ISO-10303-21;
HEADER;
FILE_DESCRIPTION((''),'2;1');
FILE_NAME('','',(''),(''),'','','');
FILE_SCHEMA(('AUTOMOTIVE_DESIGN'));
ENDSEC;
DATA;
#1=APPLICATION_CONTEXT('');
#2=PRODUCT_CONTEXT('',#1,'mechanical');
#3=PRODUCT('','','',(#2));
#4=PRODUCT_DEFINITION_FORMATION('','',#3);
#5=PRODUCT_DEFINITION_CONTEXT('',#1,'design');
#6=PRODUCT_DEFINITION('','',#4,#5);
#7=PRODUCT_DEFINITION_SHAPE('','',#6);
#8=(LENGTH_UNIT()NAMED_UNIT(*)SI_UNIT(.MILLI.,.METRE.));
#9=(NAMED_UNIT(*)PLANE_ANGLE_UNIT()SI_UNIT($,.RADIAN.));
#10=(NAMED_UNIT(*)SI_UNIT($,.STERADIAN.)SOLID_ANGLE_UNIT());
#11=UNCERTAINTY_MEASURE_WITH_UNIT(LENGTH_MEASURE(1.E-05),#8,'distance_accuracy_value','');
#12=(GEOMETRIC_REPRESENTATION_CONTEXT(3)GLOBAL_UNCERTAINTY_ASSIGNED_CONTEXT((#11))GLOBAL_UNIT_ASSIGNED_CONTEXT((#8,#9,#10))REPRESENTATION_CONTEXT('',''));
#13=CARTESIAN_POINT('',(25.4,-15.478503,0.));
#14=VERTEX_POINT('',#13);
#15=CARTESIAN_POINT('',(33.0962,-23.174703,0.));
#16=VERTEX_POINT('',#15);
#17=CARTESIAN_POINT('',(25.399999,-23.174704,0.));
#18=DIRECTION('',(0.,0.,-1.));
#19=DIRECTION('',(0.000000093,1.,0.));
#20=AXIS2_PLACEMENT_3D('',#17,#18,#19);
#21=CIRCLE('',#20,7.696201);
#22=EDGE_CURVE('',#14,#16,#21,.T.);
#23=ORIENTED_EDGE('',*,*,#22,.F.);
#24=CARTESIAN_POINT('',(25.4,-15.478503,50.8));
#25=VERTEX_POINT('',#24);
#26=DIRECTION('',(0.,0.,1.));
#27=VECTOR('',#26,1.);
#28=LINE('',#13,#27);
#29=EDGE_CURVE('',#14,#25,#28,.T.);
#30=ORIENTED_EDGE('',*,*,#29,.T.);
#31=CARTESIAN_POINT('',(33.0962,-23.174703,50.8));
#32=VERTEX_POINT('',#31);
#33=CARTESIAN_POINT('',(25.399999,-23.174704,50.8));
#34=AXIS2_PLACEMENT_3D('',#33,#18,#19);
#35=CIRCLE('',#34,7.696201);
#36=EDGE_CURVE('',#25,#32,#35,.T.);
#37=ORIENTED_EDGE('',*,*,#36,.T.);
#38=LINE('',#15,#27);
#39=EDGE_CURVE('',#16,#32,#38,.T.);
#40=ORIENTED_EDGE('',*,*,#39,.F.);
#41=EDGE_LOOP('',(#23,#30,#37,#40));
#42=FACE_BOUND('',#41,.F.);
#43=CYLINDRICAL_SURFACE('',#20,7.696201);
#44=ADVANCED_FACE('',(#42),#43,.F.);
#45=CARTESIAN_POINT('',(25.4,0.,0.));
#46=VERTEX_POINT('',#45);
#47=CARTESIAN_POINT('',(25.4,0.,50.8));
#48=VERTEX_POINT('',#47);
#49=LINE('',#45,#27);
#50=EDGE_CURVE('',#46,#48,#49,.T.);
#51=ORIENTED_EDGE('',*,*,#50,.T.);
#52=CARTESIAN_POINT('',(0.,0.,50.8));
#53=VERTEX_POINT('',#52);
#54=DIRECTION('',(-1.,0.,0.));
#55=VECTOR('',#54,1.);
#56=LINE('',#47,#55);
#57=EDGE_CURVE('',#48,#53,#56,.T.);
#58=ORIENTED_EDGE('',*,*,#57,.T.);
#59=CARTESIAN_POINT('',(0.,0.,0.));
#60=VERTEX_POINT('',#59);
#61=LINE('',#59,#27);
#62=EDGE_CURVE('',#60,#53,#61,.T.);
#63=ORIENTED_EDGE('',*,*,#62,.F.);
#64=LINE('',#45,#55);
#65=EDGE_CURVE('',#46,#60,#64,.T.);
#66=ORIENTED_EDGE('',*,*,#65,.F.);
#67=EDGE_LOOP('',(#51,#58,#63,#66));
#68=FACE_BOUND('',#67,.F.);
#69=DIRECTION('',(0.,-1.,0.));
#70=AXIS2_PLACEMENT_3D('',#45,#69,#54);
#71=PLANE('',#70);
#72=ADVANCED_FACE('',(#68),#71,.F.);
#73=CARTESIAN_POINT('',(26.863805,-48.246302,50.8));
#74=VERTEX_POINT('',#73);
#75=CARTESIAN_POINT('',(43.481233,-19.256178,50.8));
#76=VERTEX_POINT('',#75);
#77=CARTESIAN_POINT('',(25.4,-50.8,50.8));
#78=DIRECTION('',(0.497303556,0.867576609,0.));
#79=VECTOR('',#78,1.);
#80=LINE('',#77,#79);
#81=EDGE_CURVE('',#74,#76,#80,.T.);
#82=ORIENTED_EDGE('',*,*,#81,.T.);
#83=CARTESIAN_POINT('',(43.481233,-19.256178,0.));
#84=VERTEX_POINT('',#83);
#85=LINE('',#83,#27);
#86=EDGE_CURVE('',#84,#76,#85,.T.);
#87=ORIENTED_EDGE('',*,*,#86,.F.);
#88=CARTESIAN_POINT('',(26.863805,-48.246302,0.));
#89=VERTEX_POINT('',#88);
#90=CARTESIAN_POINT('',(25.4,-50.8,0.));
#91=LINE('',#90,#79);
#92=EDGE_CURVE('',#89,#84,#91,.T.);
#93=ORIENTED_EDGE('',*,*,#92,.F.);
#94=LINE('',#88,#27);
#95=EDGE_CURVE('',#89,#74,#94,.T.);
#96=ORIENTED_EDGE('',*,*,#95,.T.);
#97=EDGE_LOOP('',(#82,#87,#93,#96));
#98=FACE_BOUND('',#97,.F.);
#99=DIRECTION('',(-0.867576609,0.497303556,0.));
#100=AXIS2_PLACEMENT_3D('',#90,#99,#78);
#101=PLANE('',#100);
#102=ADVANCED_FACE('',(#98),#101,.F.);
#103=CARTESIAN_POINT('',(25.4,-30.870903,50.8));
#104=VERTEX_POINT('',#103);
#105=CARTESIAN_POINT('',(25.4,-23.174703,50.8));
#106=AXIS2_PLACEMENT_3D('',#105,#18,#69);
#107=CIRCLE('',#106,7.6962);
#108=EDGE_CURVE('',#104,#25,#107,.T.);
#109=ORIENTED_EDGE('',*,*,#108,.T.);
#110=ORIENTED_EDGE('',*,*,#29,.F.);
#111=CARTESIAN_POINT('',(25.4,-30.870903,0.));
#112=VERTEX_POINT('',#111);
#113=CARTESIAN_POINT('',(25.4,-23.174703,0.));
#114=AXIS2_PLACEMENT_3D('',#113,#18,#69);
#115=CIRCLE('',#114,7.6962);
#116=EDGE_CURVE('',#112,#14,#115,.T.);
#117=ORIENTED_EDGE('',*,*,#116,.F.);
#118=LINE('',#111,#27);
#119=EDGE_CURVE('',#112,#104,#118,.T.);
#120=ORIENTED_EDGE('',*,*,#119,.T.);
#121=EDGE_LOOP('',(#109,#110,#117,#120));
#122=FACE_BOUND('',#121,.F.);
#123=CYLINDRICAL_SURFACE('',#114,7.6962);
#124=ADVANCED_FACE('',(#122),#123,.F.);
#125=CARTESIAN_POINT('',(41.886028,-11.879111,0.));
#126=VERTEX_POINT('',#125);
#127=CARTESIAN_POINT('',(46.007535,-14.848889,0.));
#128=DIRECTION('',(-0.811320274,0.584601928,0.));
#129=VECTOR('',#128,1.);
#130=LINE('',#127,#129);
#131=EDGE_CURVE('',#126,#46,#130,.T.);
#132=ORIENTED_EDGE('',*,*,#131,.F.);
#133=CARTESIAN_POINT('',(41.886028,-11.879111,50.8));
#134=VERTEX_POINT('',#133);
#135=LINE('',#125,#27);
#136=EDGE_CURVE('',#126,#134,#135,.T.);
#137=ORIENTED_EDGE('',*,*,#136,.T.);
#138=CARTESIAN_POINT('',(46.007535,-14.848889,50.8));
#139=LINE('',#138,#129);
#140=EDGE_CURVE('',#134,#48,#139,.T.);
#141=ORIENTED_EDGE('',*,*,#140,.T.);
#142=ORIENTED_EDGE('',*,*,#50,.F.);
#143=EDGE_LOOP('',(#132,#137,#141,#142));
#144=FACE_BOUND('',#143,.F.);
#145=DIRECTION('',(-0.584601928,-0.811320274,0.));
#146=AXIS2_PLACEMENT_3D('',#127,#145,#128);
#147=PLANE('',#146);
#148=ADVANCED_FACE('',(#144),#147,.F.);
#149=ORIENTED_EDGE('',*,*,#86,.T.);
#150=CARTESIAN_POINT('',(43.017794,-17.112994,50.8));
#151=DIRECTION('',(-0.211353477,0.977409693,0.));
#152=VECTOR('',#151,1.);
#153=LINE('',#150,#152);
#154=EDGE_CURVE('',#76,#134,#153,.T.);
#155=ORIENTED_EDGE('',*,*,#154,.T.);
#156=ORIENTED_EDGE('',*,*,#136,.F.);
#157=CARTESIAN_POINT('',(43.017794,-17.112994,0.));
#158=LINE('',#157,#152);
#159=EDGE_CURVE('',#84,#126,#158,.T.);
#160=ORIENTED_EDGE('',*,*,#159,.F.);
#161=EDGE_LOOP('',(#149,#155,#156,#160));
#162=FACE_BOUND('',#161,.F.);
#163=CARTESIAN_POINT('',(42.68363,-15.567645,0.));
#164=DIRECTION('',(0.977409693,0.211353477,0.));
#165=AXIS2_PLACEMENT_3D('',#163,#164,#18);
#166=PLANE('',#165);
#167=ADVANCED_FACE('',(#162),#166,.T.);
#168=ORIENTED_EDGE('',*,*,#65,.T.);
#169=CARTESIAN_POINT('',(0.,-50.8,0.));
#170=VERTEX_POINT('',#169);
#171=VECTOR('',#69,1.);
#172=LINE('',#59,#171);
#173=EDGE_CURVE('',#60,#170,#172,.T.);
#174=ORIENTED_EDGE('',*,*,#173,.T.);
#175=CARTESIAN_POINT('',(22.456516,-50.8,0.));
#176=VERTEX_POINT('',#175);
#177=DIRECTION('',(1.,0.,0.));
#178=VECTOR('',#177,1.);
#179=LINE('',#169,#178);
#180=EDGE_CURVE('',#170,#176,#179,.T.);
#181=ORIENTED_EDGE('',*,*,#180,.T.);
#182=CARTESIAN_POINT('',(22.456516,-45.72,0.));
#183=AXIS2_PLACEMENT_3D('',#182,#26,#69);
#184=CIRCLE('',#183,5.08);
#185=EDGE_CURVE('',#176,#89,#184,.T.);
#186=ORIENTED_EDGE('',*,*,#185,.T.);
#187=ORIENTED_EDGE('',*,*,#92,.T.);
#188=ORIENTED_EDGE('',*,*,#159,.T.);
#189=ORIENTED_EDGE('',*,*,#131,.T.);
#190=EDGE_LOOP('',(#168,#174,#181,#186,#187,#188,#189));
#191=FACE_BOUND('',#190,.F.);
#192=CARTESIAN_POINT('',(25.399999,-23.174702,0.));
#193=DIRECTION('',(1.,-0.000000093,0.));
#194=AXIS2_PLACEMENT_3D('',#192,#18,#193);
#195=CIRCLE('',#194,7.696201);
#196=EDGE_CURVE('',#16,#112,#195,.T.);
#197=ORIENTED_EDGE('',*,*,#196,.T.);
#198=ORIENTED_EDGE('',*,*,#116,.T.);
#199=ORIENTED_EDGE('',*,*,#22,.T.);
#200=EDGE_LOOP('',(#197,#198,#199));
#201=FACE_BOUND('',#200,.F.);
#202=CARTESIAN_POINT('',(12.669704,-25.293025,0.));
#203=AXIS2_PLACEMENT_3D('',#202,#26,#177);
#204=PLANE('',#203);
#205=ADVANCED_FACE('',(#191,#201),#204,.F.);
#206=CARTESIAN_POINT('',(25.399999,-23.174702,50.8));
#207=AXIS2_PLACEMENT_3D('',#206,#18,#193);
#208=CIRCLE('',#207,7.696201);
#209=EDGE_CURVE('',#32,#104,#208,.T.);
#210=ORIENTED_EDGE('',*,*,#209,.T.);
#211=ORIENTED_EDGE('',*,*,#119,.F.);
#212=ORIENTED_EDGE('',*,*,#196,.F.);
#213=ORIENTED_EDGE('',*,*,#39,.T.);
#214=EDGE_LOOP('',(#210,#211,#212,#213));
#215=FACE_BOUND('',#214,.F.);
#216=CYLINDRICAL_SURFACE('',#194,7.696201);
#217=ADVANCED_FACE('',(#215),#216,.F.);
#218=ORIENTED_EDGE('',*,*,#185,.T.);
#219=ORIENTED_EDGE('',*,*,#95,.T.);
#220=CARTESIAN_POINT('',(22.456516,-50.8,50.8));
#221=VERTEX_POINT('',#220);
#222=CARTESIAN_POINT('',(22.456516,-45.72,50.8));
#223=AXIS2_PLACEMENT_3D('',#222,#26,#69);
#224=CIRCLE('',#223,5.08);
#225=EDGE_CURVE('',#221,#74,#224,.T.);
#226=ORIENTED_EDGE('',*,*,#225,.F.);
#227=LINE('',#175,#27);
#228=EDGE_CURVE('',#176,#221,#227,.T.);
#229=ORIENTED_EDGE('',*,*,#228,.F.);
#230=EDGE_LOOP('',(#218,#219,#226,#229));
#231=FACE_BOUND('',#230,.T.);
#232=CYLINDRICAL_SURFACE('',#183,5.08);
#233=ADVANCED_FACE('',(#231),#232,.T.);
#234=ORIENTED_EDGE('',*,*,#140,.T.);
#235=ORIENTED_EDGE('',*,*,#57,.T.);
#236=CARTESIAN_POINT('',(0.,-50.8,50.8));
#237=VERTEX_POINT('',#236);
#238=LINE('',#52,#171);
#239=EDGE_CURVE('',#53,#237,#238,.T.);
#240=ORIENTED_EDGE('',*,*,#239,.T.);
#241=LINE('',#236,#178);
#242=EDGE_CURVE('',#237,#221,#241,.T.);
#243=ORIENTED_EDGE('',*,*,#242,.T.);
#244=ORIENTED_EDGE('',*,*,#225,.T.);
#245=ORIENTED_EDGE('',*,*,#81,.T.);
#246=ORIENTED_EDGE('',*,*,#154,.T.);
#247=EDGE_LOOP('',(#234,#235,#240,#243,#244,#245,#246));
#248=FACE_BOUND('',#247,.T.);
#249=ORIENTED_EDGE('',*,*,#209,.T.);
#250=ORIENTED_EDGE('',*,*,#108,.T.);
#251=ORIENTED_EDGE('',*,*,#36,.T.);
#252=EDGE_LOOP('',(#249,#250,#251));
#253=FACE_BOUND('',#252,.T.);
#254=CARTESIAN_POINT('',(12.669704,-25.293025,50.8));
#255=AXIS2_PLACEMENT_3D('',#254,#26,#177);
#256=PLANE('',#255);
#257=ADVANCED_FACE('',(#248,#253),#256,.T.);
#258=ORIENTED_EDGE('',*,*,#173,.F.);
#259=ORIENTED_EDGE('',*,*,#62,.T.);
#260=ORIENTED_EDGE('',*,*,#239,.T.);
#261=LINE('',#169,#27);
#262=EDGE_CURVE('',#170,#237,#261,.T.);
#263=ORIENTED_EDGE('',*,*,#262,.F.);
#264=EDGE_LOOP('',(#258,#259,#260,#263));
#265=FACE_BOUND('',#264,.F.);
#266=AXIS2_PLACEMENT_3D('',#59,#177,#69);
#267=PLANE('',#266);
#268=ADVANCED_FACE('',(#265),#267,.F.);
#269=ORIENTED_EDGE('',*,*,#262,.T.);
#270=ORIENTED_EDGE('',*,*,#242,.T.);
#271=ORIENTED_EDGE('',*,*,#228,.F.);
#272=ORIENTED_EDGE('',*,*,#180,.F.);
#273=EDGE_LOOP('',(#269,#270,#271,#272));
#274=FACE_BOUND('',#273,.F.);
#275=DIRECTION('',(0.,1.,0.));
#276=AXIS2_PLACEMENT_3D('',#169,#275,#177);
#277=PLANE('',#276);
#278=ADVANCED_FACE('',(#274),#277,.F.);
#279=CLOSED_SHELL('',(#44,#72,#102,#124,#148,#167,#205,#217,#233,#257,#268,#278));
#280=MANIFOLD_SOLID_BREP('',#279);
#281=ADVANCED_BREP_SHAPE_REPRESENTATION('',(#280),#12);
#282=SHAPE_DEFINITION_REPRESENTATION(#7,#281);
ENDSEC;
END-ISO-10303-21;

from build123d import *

# Parameters (mm, degrees)
F1_DEPTH = 50.8
F2_R     = 5.08
F3_SIZE  = 5.08


with BuildPart() as f1:
    # F0 (on Top) → F1 (new body)
    with BuildSketch(Plane.XY):
        with BuildLine():
            Line((25.4, 0), (0, 0))
            Line((0, 0), (0, -50.8))
            Line((0, -50.8), (25.4, -50.8))
            Line((25.4, -50.8), (25.4, -30.870903))
            ThreePointArc((25.4, -30.870903), (17.7038, -23.174703), (25.4, -15.478503))
            Line((25.4, -15.478503), (25.4, 0))
        make_face()
        with BuildLine():
            Line((46.007535, -14.848889), (25.4, 0))
            Line((25.4, 0), (25.4, -15.478503))
            ThreePointArc((25.4, -15.478503), (30.842035, -17.732668), (33.0962, -23.174703))
            ThreePointArc((33.0962, -23.174703), (30.842035, -28.616738), (25.4, -30.870903))
            Line((25.4, -30.870903), (25.4, -50.8))
            Line((25.4, -50.8), (46.007535, -14.848889))
        make_face()
    extrude(amount=F1_DEPTH)

    # F2
    f2_edges = [f1.edges().sort_by_distance(p)[0] for p in [
        (25.4, -50.8, 25.4),
    ]]
    fillet(f2_edges, radius=F2_R)

    # F3
    f3_edges = [f1.edges().sort_by_distance(p)[0] for p in [
        (46.007535, -14.848889, 25.4),
    ]]
    chamfer(f3_edges, length=F3_SIZE)


solid = f1.part
